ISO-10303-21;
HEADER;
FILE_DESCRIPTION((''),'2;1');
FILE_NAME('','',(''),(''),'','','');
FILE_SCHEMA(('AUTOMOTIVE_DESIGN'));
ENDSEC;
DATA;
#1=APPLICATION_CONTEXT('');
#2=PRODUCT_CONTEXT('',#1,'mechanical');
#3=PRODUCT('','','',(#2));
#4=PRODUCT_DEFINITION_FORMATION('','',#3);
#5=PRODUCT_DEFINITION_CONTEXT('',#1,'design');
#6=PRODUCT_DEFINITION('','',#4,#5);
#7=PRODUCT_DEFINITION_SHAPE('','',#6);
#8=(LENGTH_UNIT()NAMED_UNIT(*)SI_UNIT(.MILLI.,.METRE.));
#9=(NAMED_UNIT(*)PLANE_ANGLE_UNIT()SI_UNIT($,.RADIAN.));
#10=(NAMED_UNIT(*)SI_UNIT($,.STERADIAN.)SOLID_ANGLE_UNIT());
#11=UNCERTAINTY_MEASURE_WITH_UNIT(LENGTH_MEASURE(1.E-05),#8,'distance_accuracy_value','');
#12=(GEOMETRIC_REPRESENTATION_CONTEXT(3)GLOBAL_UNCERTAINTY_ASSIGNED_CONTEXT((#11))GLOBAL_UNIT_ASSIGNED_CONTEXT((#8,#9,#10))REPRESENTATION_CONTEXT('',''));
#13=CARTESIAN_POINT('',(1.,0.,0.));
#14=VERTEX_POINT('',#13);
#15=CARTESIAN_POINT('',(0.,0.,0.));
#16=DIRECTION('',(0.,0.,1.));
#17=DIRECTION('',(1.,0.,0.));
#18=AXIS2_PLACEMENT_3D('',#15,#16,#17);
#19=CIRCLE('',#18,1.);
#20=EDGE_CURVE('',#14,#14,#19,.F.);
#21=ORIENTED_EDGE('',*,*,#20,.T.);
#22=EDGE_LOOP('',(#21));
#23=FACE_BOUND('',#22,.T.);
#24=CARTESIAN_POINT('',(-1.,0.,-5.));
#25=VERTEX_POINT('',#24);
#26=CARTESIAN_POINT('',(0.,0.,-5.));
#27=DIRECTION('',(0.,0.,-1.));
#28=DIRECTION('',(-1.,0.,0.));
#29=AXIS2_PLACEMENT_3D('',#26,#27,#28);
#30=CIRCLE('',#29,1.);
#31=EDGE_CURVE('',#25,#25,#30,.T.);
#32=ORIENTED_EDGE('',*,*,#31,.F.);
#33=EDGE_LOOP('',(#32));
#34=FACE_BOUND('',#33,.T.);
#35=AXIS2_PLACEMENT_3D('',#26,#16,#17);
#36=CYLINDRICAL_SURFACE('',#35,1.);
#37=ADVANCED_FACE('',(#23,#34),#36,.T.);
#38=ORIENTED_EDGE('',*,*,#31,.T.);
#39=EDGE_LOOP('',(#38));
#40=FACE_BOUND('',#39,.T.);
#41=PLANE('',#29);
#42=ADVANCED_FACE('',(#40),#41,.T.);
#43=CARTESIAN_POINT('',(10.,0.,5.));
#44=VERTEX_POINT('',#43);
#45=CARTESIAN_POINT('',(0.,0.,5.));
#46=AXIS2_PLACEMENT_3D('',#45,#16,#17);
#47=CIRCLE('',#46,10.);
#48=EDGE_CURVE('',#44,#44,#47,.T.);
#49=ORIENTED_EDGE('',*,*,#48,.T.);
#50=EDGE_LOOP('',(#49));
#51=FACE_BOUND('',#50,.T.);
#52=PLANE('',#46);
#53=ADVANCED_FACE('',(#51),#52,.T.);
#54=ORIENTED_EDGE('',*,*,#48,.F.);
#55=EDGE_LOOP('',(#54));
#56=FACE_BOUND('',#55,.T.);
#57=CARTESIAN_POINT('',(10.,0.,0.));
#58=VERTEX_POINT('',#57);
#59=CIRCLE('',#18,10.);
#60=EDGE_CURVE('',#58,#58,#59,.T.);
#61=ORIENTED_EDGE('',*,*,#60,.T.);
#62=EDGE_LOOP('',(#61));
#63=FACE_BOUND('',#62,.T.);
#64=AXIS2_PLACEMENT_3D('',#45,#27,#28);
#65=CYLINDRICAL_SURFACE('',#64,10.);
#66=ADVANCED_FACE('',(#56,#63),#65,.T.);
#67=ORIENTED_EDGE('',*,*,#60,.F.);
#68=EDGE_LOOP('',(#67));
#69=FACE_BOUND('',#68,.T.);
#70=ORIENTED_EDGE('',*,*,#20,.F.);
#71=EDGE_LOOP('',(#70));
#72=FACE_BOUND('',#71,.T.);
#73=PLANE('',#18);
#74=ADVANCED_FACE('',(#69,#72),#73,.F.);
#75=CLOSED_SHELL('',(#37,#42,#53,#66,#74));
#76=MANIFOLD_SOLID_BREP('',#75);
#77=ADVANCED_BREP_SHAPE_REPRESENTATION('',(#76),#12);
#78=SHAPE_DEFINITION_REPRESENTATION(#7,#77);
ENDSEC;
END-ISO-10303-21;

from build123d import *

# Parameters (mm, degrees)
SKETCH_3_R      = 10
EXTRUDE_1_DEPTH = 5
SKETCH_4_R      = 1
EXTRUDE_2_DEPTH = 5


with BuildPart() as part:
    # 草图3 → 凸台-拉伸1 (new body)
    with BuildSketch(Plane.XY):
        Circle(SKETCH_3_R)
    extrude(amount=EXTRUDE_1_DEPTH)

    # 草图4 → 凸台-拉伸2 (add)
    with BuildSketch(Plane(origin=(0, 0, 0), x_dir=(-1, 0, 0), z_dir=(0, 0, -1))):
        with Locations(Location((0, 0, 0), (0, 0, 180))):
            Circle(SKETCH_4_R)
    extrude(amount=EXTRUDE_2_DEPTH)


solid = part.part
